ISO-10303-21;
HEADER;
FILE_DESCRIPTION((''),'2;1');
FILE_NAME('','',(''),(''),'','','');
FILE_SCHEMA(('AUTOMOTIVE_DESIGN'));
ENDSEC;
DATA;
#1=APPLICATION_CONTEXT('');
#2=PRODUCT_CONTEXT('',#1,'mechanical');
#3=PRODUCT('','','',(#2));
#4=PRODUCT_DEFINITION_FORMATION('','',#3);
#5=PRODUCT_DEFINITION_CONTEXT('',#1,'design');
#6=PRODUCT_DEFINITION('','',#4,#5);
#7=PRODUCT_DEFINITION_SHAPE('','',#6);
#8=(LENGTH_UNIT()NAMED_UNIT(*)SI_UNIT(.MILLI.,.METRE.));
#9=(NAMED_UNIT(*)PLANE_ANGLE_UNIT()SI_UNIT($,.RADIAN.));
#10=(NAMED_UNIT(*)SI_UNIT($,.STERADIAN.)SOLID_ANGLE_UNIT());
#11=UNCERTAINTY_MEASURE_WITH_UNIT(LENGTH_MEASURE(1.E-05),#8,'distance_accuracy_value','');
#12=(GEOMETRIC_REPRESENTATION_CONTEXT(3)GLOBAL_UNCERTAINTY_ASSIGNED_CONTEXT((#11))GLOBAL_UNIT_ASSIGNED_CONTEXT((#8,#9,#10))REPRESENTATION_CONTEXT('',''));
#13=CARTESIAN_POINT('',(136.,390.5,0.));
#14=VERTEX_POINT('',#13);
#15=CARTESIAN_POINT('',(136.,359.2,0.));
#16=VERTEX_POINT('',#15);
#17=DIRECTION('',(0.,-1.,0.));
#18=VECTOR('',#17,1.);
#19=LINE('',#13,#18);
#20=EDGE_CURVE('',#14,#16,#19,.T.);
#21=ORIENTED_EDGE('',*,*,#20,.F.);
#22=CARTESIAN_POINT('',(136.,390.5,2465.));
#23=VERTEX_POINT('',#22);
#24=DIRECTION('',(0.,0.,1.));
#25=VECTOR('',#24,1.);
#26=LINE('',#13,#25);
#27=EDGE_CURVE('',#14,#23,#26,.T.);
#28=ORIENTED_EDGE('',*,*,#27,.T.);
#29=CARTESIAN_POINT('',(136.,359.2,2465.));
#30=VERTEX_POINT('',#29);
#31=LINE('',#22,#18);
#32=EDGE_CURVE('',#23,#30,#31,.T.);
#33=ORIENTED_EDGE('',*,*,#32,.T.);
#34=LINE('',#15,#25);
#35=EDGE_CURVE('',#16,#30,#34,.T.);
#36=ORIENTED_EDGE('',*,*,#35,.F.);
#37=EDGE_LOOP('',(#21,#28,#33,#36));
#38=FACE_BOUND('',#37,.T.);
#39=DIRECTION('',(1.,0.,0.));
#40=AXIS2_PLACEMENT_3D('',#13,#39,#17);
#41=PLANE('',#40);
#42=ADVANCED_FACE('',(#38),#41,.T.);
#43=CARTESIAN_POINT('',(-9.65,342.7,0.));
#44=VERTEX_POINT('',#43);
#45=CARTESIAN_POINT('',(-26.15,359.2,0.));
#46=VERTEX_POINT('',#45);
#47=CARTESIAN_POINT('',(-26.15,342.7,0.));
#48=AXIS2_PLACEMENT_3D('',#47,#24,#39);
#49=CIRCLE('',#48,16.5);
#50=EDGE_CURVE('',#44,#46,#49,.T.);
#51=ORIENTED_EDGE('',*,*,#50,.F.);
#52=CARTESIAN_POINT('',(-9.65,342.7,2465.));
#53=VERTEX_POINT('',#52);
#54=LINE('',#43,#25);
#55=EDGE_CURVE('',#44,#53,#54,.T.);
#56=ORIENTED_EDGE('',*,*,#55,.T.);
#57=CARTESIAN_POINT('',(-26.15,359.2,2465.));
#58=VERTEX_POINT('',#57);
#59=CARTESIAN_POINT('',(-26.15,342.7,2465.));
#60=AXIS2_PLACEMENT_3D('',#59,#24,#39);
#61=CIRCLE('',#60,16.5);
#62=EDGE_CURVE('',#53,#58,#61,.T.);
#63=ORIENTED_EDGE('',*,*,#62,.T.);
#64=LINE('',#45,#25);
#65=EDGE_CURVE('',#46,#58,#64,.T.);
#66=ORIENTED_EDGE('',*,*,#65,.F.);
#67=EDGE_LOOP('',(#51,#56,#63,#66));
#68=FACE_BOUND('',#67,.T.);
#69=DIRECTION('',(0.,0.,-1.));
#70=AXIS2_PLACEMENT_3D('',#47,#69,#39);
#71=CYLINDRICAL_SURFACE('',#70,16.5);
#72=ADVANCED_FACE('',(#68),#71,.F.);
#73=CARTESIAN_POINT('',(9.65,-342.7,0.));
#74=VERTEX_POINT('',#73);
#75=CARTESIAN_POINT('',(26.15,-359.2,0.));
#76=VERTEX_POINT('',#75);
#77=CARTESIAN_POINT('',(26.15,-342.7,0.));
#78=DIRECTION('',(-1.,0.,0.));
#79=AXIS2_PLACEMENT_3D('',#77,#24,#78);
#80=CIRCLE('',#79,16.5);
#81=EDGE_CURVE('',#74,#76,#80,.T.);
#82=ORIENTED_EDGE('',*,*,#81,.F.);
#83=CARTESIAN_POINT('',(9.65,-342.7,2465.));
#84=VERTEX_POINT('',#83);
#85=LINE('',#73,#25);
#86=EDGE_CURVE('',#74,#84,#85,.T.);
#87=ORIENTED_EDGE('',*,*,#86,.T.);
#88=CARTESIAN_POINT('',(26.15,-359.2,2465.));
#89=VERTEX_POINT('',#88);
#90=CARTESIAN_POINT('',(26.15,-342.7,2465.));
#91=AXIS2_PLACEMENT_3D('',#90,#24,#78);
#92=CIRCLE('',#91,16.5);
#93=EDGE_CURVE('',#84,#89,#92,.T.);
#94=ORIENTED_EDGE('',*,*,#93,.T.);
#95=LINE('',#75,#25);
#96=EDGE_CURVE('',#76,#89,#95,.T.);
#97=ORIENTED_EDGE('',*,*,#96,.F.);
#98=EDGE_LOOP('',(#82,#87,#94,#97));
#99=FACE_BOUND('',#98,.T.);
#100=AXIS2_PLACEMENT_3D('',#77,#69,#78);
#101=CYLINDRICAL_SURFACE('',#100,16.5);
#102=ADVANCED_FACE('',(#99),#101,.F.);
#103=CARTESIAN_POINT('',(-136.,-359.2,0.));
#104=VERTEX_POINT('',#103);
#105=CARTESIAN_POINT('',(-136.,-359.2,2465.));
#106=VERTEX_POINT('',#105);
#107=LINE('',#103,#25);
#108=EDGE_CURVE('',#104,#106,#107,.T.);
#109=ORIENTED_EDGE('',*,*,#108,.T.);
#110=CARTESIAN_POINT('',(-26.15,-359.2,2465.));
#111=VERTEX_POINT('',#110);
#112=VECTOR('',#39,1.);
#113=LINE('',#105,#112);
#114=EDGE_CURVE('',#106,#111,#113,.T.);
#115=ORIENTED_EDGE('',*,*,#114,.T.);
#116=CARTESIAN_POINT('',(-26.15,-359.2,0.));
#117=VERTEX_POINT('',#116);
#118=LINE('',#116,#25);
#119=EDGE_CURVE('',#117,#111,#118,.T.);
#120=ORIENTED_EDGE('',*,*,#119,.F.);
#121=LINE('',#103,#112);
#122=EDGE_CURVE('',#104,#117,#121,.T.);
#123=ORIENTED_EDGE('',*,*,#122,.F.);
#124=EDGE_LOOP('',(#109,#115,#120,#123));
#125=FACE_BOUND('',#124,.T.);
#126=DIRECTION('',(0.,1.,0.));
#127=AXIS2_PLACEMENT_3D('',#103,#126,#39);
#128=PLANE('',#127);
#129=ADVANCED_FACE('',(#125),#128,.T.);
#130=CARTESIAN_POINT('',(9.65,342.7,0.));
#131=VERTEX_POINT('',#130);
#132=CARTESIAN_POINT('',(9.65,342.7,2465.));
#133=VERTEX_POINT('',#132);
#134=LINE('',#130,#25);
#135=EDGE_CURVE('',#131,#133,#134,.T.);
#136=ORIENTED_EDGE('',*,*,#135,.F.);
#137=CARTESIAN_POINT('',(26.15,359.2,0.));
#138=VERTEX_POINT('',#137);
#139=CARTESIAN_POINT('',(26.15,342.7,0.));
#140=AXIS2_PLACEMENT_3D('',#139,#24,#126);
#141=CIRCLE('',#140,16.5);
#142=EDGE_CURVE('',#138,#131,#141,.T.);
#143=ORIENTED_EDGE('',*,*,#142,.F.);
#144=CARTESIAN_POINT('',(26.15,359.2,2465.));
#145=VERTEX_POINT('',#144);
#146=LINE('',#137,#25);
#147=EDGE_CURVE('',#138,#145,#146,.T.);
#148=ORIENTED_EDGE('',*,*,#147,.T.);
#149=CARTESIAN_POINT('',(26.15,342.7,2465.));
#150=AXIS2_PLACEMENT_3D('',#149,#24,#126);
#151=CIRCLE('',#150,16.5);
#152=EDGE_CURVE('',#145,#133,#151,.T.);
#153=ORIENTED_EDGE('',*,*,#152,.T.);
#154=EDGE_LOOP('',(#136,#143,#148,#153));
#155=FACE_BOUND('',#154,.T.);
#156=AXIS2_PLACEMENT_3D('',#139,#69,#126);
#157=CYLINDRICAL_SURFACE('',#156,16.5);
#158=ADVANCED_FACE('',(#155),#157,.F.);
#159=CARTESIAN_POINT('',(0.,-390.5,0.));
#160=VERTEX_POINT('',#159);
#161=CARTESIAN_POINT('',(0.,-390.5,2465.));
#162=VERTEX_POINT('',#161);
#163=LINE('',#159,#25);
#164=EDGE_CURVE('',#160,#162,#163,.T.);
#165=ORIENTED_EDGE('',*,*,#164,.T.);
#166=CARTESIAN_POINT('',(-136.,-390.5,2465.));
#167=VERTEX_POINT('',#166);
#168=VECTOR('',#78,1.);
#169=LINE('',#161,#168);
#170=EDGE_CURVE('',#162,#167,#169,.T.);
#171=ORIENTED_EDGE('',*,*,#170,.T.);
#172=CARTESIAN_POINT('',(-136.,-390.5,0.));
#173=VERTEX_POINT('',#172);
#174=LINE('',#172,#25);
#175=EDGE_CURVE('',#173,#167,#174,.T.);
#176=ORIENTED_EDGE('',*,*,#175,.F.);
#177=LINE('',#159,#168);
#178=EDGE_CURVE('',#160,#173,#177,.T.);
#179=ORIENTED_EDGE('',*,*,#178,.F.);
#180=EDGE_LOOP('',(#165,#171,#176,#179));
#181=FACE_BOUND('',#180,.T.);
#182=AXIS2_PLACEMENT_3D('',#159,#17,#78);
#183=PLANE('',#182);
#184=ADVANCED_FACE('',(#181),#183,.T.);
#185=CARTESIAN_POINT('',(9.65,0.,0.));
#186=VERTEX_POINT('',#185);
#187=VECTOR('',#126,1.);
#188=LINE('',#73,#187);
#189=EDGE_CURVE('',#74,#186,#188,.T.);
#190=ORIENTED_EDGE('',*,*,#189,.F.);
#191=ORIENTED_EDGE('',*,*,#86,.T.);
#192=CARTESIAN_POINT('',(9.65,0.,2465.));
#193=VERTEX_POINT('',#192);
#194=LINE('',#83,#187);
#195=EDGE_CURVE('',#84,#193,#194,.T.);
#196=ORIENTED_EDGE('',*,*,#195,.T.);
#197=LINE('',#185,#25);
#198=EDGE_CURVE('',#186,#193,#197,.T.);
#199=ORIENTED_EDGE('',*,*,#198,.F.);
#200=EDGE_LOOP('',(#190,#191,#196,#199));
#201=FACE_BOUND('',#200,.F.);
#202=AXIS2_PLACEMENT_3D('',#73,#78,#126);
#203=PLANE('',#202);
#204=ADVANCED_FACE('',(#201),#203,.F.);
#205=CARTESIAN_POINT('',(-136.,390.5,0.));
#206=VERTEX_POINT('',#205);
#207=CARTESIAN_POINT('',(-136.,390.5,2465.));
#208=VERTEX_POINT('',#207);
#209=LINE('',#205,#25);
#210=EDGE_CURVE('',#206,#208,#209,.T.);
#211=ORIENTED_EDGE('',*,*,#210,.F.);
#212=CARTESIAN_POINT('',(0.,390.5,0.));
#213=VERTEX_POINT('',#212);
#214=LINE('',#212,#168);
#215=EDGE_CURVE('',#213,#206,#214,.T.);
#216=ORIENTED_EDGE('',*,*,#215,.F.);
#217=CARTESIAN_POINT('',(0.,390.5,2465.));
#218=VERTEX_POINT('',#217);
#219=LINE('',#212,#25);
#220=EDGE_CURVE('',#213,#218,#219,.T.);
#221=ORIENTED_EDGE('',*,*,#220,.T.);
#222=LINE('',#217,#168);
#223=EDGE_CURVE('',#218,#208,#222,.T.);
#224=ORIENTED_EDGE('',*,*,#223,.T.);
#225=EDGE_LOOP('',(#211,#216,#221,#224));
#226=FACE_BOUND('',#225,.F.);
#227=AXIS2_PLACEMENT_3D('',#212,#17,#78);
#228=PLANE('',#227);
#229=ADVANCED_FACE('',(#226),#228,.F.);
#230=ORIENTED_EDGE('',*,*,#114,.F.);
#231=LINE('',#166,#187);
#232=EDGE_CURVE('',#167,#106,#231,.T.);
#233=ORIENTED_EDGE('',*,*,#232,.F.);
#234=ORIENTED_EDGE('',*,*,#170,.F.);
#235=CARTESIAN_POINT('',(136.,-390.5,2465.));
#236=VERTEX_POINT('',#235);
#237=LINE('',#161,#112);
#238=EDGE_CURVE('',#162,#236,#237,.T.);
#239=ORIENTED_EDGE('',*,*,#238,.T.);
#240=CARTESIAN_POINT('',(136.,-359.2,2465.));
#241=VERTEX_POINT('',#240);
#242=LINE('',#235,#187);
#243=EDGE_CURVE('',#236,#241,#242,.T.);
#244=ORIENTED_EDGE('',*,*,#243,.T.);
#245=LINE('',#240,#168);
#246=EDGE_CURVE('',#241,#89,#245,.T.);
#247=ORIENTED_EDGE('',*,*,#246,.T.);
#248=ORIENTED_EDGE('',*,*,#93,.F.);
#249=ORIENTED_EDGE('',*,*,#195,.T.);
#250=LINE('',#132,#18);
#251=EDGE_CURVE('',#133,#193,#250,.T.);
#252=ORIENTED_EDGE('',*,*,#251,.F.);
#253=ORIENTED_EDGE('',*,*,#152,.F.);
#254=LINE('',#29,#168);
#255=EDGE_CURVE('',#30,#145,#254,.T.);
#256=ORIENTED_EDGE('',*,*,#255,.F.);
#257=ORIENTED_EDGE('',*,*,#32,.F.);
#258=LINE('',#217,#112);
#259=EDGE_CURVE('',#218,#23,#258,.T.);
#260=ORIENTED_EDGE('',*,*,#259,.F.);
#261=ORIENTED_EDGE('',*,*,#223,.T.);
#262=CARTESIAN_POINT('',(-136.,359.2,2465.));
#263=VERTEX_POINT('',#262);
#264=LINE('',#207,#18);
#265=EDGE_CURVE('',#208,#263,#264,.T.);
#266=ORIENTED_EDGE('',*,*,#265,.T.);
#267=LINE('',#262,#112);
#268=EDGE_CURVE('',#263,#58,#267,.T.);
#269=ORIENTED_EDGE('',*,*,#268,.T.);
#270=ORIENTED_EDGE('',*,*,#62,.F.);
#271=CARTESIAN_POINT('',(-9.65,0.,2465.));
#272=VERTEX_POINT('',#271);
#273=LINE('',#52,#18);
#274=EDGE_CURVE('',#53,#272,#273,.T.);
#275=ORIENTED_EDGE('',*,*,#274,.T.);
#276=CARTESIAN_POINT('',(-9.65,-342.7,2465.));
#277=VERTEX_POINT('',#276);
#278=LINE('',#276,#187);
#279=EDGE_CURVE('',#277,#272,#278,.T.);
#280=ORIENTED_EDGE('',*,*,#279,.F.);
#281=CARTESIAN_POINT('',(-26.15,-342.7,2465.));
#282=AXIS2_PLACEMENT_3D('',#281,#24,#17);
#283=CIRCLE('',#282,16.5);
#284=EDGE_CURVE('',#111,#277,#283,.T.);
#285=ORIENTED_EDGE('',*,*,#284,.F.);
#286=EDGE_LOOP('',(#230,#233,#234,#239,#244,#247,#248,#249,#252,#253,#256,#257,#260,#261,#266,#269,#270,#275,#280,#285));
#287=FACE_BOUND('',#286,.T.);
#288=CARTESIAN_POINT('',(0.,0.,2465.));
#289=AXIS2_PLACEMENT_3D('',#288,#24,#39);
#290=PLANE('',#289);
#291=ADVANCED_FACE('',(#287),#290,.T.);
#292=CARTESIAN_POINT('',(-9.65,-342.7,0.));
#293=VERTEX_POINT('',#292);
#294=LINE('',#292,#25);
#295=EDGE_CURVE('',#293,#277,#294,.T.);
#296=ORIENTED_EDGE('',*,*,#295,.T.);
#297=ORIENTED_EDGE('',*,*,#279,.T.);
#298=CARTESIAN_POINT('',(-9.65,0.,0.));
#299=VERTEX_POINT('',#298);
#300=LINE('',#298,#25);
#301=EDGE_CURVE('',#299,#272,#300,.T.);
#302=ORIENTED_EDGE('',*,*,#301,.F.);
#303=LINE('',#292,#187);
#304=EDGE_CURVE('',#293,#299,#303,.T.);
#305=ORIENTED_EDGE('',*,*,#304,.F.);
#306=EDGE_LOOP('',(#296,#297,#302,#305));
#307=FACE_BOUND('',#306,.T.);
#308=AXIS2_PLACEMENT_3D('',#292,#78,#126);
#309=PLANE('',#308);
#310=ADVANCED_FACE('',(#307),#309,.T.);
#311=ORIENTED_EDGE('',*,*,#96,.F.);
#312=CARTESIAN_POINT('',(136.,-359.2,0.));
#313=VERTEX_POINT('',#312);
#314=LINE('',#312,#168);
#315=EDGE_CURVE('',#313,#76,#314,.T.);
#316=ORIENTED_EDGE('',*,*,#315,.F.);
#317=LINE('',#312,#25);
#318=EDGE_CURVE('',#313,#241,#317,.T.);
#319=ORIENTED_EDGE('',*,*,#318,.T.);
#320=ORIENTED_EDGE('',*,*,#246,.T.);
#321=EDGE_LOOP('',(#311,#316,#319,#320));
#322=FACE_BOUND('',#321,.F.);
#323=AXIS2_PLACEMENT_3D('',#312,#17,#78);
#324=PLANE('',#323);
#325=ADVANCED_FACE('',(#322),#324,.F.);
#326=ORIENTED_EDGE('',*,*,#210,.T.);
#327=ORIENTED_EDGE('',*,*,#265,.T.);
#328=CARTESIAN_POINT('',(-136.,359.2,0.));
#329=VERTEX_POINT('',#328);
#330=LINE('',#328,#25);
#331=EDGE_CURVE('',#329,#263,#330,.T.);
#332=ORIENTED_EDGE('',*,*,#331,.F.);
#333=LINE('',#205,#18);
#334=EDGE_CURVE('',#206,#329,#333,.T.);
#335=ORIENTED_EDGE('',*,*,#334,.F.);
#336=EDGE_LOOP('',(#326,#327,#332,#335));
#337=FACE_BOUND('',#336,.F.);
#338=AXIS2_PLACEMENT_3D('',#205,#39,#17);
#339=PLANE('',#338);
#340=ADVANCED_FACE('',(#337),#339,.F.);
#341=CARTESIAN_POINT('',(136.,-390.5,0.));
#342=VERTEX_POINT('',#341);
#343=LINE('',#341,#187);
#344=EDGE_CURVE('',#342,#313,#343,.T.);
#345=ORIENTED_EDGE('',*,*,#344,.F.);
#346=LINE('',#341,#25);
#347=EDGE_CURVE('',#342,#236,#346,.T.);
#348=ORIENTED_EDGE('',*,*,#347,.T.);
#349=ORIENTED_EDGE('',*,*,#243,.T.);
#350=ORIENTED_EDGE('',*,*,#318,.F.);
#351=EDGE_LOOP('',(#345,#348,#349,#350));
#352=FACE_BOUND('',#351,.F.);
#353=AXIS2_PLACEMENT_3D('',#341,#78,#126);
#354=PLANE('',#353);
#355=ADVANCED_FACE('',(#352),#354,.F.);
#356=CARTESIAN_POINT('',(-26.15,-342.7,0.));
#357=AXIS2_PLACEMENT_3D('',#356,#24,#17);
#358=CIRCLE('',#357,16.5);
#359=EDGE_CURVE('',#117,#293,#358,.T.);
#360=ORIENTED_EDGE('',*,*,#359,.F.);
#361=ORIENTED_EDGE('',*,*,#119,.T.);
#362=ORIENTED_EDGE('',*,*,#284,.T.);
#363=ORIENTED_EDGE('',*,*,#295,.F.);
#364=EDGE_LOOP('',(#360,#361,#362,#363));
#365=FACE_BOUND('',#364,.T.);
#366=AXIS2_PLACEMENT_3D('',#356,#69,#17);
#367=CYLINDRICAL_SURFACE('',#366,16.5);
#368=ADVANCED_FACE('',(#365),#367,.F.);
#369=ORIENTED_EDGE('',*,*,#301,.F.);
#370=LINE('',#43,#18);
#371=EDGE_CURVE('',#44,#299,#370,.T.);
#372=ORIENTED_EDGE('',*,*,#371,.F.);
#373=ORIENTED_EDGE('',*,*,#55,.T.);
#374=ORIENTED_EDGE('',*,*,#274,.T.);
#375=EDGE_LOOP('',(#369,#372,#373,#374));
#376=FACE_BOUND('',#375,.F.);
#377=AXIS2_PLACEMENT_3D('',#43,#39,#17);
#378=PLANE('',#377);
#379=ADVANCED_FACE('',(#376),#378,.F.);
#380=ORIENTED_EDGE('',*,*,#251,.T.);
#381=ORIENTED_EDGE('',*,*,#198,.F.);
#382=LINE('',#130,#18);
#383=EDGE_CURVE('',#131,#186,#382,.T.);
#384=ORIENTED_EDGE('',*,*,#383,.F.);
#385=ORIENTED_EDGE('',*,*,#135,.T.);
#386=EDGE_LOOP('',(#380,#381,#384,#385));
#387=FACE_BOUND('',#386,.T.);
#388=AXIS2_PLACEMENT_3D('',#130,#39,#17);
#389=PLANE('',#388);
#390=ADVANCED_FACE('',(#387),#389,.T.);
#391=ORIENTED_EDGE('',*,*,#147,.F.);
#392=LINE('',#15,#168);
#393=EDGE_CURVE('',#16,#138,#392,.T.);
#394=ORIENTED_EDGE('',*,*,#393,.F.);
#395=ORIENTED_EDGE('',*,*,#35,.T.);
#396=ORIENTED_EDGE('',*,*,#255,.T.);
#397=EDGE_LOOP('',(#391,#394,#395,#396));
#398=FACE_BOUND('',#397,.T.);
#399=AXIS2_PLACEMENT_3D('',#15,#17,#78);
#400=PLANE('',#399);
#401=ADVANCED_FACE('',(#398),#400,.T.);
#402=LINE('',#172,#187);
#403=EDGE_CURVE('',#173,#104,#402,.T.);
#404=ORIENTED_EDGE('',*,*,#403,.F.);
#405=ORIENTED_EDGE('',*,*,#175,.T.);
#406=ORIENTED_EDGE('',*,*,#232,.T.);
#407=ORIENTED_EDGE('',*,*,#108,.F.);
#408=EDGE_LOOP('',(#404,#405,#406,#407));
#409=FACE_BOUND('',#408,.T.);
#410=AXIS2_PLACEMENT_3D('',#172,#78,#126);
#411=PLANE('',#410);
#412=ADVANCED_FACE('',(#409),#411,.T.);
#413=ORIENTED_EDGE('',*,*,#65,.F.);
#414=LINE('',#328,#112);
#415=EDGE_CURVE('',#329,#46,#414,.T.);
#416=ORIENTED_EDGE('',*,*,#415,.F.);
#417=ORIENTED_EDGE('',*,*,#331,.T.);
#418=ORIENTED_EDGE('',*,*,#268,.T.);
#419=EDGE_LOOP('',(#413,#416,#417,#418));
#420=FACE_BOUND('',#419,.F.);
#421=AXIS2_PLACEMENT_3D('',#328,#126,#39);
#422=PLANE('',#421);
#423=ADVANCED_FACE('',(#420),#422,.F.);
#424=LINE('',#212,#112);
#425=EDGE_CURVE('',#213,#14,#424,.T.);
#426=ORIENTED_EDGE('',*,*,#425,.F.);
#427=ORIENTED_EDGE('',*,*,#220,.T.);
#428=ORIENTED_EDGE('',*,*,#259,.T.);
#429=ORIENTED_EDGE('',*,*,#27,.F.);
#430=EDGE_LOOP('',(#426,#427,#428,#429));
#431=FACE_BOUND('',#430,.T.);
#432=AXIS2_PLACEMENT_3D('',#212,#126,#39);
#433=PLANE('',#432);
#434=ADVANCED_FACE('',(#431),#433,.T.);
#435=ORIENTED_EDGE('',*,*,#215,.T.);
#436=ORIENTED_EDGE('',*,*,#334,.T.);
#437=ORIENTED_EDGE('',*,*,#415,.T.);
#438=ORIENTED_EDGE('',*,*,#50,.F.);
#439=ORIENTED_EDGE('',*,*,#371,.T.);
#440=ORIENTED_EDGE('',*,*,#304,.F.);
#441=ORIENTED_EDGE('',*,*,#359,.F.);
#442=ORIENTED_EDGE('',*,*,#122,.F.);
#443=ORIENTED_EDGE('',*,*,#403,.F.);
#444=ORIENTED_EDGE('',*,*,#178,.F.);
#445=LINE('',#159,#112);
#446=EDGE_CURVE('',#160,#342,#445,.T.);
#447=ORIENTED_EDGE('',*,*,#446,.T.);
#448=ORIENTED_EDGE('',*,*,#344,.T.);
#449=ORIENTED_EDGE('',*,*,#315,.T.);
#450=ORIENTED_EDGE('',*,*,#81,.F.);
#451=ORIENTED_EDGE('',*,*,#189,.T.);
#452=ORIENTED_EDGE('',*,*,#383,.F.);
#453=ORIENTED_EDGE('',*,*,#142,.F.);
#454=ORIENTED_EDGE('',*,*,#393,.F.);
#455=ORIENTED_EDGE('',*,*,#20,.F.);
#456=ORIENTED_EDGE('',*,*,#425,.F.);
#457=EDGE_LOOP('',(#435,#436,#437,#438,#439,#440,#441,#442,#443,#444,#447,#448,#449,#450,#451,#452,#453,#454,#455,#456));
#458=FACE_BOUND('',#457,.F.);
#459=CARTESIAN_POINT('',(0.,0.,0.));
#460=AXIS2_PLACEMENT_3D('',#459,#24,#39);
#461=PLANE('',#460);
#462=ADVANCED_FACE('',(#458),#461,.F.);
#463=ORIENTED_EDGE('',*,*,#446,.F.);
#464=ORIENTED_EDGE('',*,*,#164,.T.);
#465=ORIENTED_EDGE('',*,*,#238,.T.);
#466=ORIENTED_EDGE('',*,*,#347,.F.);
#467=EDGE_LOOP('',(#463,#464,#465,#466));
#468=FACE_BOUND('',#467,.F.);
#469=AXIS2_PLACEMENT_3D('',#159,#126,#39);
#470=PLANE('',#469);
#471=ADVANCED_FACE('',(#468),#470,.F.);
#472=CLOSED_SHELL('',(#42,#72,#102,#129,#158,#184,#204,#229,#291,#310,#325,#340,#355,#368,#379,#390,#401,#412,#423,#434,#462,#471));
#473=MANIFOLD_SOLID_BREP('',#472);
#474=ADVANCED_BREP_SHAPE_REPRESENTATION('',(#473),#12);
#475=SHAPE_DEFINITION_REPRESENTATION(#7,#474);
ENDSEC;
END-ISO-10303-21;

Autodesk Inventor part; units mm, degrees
ref_plane "YZ Plane" through (0, 0, 0) normal (1, 0, 0) x (0, 1, 0)
ref_plane "Start plane" through (0, 0, 0) normal (0, 0, 1) x (1, 0, 0)
ref_plane "End plane" through (0, 0, 2465) normal (0, 0, 1) x (1, 0, 0)
sketch "Sketch" plane through (0, 0, 0) normal (0, 0, 1) x (1, 0, 0)
  line L0 (-136, -390.5) -> (-136, -359.2)
  line L1 (-136, -359.2) -> (-26.15, -359.2)
  line L2 (-9.65, -342.7) -> (-9.65, 0)
  line L3 (-9.65, 0) -> (0, 0) construction
  line L4 (0, 0) -> (0, -390.5) construction
  line L5 (0, -390.5) -> (-136, -390.5)
  line L6 (-60, 0) -> (80, 0) construction
  line L7 (0, -60) -> (0, 80) construction
  line L8 (136, -390.5) -> (136, -359.2)
  line L9 (136, -359.2) -> (26.15, -359.2)
  line L10 (9.65, -342.7) -> (9.65, 0)
  line L11 (9.65, 0) -> (0, 0) construction
  line L12 (0, -390.5) -> (136, -390.5)
  line L13 (-136, 390.5) -> (-136, 359.2)
  line L14 (-136, 359.2) -> (-26.15, 359.2)
  line L15 (-9.65, 342.7) -> (-9.65, 0)
  line L16 (0, 390.5) -> (-136, 390.5)
  line L17 (136, 390.5) -> (136, 359.2)
  line L18 (136, 359.2) -> (26.15, 359.2)
  line L19 (0, 390.5) -> (136, 390.5)
  line L20 (9.65, 342.7) -> (9.65, 0)
  arc A0 (-9.65, 342.7) -> (-26.15, 359.2) centre (-26.15, 342.7) ccw
  arc A1 (26.15, 359.2) -> (9.65, 342.7) centre (26.15, 342.7) ccw
  arc A2 (9.65, -342.7) -> (26.15, -359.2) centre (26.15, -342.7) ccw
  arc A3 (-26.15, -359.2) -> (-9.65, -342.7) centre (-26.15, -342.7) ccw
  line L21 (0, 108) -> (0, -88) construction
  line L22 (-88, 0) -> (108, 0) construction
  point P0 (-9.65, -359.2)
  point P1 (9.65, -359.2)
  point P2 (-9.65, 359.2)
  point P3 (9.65, 359.2)
  dimension "d1" = 390.5
  dimension "d2" = 31.3
  dimension "d3" = 136
  dimension "d4" = 9.65
  dimension "d10" = 16.5
extrude "Body" add sketch "Sketch" along normal up to surface (2465 mm away) from surface at 0
sketch "Sketch4" plane through (0, 0, 0) normal (0, 0, 1) x (1, 0, 0)
  line L0 (0, 0) -> (10, 0)
ref_plane "Work Plane3" through (0, 0, 0) normal (0, -1, 0) x (1, 0, 0)
sketch "Sketch5" plane through (0, 0, 0) normal (0, -1, 0) x (1, 0, 0)
  line L0 (-2, 0) -> (12, 0) projected
  line L1 (-2, 2465) -> (12, 2465) projected
  dimension "d14" = 2465
equation "\"d1\" = 0.5 * G_H"
equation "\"d2\" = G_T1"
equation "\"d3\" = 0.5 * G_W"
equation "\"d4\" = 0.5 * G_T"
equation "\"d10\" = G_IR"
equation "\"d5\" = G_L"
equation "\"G_W\" = 272"
equation "\"G_H\" = 781"
equation "\"G_T\" = 19.3"
equation "\"G_T1\" = 31.3"
equation "\"G_IR\" = 16.5"
equation "\"G_L\" = d14"
equation "\"G_OFFSET_START\" = 0"
equation "\"G_OFFSET_END\" = 0"
equation "\"d12\" = G_OFFSET_END + B_L"
equation "\"B_L\" = 2465"
properties part number "AS 3679-1990 - 760 UB - 244 - 2465" material "Steel, Mild"
